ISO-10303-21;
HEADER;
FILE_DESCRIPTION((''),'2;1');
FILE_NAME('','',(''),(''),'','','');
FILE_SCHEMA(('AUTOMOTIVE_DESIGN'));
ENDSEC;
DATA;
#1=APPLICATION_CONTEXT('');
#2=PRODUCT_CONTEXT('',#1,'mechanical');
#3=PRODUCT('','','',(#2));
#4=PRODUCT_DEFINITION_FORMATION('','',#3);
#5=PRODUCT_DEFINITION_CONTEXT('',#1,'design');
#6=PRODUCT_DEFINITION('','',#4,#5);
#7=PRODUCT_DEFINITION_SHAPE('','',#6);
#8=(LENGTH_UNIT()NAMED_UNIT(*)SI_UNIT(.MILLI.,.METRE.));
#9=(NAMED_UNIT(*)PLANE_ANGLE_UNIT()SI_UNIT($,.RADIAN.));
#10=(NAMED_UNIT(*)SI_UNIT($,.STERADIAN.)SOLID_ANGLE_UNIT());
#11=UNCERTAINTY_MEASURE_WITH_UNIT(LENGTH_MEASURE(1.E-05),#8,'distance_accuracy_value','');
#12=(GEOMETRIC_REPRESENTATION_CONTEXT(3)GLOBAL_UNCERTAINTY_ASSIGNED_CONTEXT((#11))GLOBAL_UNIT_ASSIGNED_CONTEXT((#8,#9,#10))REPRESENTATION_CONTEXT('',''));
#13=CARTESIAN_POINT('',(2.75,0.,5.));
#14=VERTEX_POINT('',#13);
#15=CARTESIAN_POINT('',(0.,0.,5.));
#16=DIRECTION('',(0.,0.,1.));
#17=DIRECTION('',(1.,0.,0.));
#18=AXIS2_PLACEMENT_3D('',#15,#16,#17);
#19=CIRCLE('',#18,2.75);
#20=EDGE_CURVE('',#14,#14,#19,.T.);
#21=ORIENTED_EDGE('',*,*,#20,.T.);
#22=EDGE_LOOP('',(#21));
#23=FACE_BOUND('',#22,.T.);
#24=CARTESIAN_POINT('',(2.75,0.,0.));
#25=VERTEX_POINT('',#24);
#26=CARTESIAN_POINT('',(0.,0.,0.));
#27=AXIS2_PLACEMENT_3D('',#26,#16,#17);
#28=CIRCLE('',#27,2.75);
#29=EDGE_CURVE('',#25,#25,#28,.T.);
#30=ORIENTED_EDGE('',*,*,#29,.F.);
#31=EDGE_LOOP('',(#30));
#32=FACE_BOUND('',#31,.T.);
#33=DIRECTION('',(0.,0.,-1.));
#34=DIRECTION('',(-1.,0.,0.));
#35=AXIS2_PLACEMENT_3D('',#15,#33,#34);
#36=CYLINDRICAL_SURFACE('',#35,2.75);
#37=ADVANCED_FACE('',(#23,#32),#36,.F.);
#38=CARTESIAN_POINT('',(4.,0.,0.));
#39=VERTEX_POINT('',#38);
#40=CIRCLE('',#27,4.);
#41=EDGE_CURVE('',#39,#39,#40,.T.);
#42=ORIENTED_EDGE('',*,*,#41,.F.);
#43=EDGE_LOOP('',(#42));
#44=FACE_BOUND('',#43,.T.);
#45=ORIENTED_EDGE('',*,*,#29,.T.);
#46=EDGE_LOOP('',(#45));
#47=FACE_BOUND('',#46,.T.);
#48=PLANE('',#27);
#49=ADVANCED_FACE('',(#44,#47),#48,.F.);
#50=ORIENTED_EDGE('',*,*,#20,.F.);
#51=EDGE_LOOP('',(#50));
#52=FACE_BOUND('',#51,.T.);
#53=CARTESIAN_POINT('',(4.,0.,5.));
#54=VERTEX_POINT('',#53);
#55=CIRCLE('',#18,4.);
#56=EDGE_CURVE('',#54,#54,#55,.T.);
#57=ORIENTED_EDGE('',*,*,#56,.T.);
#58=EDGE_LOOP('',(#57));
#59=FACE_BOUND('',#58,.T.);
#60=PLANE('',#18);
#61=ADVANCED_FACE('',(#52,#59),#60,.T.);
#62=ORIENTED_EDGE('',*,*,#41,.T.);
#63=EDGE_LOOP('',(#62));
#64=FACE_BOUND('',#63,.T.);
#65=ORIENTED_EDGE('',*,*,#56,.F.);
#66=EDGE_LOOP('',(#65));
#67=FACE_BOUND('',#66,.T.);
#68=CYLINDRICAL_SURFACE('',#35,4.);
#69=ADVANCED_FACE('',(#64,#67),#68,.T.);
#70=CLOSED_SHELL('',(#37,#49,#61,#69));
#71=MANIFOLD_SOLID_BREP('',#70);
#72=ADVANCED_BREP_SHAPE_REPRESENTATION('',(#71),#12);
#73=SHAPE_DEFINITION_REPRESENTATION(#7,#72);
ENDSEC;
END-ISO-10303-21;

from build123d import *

# Parameters (mm, degrees)
SKETCH_1_R      = 4
SKETCH_1_R_2    = 2.75
EXTRUDE_1_DEPTH = 5


with BuildPart() as part:
    # ｽｹｯﾁ1 → ﾎﾞｽ - 押し出し1 (new body)
    with BuildSketch(Plane.XY):
        Circle(SKETCH_1_R)
        Circle(SKETCH_1_R_2, mode=Mode.SUBTRACT)
    extrude(amount=EXTRUDE_1_DEPTH)


solid = part.part
